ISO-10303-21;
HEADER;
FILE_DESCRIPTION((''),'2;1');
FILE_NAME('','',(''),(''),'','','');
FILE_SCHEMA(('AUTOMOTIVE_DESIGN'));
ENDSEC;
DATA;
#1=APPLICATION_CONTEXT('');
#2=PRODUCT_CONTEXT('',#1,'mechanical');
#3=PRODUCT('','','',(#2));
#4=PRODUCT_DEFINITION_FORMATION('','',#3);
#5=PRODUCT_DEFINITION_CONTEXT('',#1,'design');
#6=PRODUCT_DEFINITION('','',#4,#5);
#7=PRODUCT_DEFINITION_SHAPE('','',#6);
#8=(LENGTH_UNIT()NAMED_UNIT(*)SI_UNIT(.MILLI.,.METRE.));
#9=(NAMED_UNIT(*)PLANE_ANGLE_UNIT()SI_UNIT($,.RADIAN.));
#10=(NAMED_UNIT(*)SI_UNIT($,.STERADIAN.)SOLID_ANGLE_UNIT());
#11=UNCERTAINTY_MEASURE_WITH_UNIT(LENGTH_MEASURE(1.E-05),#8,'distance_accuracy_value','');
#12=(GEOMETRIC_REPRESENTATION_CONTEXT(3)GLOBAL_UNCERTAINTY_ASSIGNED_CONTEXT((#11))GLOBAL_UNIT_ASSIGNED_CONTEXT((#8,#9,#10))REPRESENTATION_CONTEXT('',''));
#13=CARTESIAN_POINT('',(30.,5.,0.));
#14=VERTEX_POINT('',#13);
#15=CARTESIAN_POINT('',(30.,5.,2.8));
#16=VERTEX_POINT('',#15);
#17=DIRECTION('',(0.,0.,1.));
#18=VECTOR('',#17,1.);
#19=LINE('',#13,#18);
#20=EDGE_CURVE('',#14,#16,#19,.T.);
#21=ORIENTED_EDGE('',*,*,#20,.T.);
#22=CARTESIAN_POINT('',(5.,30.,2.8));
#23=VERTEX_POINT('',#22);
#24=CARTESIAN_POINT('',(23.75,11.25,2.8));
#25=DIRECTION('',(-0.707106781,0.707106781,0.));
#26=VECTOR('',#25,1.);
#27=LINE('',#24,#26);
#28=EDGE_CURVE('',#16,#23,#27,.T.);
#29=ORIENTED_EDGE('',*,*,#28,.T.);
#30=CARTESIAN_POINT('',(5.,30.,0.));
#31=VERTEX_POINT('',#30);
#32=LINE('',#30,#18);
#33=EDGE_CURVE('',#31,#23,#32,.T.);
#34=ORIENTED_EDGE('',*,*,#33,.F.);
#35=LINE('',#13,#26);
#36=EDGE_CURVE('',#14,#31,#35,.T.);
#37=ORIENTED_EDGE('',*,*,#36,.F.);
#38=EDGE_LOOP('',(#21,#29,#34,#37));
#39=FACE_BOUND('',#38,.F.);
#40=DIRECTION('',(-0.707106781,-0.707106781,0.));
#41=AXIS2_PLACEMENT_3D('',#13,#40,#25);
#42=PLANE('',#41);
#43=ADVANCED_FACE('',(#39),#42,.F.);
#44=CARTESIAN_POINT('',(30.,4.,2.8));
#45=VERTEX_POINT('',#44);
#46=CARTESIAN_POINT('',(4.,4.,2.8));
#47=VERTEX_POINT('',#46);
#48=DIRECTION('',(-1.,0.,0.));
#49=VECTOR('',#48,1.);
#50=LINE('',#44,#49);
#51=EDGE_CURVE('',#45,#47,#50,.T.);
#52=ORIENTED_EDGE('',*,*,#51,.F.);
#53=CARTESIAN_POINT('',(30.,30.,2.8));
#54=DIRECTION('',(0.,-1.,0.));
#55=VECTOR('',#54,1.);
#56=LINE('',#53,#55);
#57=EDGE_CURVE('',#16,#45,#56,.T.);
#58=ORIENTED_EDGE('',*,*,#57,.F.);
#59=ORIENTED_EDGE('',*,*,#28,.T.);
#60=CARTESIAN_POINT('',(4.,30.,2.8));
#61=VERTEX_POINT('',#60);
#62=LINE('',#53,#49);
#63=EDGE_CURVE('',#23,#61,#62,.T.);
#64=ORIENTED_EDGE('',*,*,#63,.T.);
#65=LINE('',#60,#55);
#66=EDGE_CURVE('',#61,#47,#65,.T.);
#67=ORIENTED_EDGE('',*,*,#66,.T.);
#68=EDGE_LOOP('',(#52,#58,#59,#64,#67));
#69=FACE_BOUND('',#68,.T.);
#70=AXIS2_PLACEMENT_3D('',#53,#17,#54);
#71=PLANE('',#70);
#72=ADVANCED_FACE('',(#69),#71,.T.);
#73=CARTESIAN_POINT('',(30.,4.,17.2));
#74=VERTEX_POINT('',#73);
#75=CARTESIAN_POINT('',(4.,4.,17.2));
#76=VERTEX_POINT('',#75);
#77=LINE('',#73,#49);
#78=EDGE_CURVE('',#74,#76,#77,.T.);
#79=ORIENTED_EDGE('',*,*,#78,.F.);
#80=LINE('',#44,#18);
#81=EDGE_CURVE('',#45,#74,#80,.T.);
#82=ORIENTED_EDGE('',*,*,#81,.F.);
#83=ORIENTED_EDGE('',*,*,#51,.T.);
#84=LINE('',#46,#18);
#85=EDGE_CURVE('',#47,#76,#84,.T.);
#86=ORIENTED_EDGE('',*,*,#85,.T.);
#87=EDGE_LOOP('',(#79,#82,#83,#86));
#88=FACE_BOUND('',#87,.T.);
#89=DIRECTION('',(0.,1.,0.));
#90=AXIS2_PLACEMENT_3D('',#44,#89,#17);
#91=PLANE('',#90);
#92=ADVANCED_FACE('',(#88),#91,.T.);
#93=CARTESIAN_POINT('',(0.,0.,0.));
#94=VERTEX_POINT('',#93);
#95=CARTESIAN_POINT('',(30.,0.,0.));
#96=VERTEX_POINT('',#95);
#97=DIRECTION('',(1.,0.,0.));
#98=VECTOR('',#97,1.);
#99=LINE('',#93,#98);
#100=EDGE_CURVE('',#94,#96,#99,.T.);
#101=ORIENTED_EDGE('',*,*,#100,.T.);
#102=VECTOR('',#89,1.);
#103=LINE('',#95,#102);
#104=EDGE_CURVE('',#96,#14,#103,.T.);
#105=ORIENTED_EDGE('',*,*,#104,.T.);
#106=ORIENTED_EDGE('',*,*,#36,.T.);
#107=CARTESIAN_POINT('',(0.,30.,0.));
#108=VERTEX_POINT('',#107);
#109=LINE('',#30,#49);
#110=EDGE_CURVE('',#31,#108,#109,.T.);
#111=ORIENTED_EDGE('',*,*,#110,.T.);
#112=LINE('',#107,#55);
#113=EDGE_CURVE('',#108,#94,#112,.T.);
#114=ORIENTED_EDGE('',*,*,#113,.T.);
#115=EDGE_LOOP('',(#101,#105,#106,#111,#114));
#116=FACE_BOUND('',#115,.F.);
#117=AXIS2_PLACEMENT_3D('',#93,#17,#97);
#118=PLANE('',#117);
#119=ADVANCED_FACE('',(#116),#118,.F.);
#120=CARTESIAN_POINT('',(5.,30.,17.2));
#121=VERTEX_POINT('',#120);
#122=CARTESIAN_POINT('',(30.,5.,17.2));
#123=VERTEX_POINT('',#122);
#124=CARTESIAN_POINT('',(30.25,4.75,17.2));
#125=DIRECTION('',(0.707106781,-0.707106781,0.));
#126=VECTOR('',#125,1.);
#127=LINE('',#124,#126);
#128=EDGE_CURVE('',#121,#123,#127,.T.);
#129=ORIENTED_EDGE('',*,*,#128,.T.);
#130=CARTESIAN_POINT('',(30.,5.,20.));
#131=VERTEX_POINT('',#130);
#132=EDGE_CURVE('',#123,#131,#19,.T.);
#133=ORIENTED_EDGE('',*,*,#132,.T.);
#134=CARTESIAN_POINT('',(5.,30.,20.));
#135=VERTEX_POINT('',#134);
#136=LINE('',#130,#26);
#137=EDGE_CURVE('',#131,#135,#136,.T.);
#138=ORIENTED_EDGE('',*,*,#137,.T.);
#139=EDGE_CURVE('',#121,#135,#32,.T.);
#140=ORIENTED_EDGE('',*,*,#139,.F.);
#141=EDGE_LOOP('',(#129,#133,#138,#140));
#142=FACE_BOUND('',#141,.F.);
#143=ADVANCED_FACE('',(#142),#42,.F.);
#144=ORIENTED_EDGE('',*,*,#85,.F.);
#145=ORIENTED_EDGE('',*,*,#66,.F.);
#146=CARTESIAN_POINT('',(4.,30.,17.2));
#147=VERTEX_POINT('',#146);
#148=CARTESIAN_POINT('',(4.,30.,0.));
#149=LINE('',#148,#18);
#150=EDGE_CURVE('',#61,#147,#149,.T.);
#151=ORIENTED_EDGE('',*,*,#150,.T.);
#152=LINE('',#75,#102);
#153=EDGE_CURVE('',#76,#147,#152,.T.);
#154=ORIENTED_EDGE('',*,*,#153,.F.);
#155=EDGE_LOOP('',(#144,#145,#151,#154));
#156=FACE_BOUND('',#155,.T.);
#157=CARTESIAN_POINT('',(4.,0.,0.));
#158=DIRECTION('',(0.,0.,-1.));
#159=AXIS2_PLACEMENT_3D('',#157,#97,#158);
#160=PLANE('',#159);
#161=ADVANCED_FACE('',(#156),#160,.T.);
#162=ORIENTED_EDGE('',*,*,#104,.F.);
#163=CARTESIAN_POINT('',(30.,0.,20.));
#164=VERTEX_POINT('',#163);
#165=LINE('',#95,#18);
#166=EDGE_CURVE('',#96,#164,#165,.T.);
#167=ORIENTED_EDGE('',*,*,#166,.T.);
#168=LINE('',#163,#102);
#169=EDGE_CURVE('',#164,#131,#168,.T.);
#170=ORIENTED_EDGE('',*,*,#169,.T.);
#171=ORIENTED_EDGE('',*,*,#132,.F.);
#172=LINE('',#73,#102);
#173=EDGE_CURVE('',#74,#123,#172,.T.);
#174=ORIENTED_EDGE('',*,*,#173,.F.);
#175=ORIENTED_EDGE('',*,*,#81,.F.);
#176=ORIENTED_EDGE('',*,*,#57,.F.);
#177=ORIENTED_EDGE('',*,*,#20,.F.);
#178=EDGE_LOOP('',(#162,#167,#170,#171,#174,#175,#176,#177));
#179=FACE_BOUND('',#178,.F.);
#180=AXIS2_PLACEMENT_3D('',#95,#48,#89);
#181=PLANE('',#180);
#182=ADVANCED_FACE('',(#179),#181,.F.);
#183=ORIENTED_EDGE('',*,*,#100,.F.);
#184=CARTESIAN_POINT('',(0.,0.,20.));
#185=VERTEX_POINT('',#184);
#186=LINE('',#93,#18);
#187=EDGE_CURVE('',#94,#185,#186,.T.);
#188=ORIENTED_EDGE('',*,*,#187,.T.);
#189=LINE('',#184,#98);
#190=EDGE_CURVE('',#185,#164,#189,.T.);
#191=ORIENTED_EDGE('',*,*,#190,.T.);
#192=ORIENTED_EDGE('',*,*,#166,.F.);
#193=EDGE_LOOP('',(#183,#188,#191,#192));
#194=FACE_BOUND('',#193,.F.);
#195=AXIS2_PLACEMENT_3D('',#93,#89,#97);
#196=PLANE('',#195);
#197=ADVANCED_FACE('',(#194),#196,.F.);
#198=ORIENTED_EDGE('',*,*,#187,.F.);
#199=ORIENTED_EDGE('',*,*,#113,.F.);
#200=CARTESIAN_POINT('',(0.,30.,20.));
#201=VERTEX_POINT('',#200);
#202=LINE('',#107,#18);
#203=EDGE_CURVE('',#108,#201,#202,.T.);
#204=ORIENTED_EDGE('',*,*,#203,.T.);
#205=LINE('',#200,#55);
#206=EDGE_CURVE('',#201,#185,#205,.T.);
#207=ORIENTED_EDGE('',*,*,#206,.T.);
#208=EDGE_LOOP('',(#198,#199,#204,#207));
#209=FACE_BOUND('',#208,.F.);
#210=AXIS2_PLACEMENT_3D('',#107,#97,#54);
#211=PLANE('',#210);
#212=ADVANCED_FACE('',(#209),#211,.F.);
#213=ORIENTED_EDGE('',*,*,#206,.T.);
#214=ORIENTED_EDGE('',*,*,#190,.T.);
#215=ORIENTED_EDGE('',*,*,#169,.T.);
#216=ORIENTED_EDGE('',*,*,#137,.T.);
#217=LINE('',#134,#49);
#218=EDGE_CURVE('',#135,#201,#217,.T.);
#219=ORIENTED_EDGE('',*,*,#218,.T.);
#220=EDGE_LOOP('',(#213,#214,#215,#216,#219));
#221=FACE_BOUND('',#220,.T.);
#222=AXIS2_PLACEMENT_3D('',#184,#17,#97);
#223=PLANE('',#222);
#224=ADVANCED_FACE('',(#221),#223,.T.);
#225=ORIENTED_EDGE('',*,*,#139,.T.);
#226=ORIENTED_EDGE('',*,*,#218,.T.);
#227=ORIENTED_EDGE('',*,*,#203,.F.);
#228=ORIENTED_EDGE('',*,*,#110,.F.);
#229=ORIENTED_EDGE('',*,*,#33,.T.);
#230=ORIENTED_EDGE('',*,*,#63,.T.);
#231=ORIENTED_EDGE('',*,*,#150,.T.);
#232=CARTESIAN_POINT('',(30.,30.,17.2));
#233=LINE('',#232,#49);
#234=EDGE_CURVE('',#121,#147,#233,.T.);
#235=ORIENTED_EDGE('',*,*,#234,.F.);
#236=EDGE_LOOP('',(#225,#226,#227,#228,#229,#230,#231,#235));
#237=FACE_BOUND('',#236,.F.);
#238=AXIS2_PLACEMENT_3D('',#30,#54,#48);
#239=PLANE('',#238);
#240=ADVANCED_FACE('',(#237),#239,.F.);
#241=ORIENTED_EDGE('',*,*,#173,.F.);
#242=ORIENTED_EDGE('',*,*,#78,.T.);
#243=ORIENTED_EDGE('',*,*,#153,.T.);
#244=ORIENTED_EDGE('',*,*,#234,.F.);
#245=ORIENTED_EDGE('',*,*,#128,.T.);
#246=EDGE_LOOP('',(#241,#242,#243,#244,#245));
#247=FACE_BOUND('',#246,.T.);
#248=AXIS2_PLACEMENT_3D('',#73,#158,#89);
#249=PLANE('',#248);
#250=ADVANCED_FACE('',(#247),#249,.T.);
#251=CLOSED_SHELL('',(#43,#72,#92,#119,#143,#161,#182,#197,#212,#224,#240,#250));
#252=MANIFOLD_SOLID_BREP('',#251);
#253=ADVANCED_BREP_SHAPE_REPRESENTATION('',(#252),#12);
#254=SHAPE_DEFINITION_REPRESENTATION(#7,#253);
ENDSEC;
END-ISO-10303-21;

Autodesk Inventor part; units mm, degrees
ref_plane "YZ Plane" through (0, 0, 0) normal (1, 0, 0) x (0, 1, 0)
ref_plane "XZ Plane" through (0, 0, 0) normal (0, 1, 0) x (-1, 0, 0)
ref_plane "XY Plane" through (0, 0, 0) normal (0, 0, 1) x (1, 0, 0)
sketch "スケッチ1" plane through (0, 0, 0) normal (0, 0, 1) x (1, 0, 0)
  line L0 (0, 0) -> (30, 0)
  line L1 (30, 0) -> (30, 5)
  line L2 (30, 5) -> (5, 30)
  line L3 (5, 30) -> (0, 30)
  line L4 (0, 30) -> (0, 0)
  dimension "d0" = 30
  dimension "d1" = 30
  dimension "d2" = 5
extrude "押し出し1" add sketch "スケッチ1" along normal blind 20
sketch "スケッチ2" plane through (30, 0, 0) normal (1, 0, 0) x (0, 0, -1)
  line L0 (0, 30) -> (-20, 30) projected
  line L1 (-17.2, 30) -> (-2.8, 30)
  line L2 (-2.8, 30) -> (-2.8, 4)
  line L3 (-2.8, 4) -> (-17.2, 4)
  line L4 (-17.2, 4) -> (-17.2, 30)
  line L5 (0, 0) -> (-20, 0) projected
  line L6 (0, 30) -> (0, 0) projected
  line L7 (-20, 5) -> (-20, 30) projected
  dimension "d5" = 4
  dimension "d6" = 2.8
  dimension "d7" = 2.8
extrude "押し出し2" cut sketch "スケッチ2" against normal blind 26
properties part number "ブラケット2"
